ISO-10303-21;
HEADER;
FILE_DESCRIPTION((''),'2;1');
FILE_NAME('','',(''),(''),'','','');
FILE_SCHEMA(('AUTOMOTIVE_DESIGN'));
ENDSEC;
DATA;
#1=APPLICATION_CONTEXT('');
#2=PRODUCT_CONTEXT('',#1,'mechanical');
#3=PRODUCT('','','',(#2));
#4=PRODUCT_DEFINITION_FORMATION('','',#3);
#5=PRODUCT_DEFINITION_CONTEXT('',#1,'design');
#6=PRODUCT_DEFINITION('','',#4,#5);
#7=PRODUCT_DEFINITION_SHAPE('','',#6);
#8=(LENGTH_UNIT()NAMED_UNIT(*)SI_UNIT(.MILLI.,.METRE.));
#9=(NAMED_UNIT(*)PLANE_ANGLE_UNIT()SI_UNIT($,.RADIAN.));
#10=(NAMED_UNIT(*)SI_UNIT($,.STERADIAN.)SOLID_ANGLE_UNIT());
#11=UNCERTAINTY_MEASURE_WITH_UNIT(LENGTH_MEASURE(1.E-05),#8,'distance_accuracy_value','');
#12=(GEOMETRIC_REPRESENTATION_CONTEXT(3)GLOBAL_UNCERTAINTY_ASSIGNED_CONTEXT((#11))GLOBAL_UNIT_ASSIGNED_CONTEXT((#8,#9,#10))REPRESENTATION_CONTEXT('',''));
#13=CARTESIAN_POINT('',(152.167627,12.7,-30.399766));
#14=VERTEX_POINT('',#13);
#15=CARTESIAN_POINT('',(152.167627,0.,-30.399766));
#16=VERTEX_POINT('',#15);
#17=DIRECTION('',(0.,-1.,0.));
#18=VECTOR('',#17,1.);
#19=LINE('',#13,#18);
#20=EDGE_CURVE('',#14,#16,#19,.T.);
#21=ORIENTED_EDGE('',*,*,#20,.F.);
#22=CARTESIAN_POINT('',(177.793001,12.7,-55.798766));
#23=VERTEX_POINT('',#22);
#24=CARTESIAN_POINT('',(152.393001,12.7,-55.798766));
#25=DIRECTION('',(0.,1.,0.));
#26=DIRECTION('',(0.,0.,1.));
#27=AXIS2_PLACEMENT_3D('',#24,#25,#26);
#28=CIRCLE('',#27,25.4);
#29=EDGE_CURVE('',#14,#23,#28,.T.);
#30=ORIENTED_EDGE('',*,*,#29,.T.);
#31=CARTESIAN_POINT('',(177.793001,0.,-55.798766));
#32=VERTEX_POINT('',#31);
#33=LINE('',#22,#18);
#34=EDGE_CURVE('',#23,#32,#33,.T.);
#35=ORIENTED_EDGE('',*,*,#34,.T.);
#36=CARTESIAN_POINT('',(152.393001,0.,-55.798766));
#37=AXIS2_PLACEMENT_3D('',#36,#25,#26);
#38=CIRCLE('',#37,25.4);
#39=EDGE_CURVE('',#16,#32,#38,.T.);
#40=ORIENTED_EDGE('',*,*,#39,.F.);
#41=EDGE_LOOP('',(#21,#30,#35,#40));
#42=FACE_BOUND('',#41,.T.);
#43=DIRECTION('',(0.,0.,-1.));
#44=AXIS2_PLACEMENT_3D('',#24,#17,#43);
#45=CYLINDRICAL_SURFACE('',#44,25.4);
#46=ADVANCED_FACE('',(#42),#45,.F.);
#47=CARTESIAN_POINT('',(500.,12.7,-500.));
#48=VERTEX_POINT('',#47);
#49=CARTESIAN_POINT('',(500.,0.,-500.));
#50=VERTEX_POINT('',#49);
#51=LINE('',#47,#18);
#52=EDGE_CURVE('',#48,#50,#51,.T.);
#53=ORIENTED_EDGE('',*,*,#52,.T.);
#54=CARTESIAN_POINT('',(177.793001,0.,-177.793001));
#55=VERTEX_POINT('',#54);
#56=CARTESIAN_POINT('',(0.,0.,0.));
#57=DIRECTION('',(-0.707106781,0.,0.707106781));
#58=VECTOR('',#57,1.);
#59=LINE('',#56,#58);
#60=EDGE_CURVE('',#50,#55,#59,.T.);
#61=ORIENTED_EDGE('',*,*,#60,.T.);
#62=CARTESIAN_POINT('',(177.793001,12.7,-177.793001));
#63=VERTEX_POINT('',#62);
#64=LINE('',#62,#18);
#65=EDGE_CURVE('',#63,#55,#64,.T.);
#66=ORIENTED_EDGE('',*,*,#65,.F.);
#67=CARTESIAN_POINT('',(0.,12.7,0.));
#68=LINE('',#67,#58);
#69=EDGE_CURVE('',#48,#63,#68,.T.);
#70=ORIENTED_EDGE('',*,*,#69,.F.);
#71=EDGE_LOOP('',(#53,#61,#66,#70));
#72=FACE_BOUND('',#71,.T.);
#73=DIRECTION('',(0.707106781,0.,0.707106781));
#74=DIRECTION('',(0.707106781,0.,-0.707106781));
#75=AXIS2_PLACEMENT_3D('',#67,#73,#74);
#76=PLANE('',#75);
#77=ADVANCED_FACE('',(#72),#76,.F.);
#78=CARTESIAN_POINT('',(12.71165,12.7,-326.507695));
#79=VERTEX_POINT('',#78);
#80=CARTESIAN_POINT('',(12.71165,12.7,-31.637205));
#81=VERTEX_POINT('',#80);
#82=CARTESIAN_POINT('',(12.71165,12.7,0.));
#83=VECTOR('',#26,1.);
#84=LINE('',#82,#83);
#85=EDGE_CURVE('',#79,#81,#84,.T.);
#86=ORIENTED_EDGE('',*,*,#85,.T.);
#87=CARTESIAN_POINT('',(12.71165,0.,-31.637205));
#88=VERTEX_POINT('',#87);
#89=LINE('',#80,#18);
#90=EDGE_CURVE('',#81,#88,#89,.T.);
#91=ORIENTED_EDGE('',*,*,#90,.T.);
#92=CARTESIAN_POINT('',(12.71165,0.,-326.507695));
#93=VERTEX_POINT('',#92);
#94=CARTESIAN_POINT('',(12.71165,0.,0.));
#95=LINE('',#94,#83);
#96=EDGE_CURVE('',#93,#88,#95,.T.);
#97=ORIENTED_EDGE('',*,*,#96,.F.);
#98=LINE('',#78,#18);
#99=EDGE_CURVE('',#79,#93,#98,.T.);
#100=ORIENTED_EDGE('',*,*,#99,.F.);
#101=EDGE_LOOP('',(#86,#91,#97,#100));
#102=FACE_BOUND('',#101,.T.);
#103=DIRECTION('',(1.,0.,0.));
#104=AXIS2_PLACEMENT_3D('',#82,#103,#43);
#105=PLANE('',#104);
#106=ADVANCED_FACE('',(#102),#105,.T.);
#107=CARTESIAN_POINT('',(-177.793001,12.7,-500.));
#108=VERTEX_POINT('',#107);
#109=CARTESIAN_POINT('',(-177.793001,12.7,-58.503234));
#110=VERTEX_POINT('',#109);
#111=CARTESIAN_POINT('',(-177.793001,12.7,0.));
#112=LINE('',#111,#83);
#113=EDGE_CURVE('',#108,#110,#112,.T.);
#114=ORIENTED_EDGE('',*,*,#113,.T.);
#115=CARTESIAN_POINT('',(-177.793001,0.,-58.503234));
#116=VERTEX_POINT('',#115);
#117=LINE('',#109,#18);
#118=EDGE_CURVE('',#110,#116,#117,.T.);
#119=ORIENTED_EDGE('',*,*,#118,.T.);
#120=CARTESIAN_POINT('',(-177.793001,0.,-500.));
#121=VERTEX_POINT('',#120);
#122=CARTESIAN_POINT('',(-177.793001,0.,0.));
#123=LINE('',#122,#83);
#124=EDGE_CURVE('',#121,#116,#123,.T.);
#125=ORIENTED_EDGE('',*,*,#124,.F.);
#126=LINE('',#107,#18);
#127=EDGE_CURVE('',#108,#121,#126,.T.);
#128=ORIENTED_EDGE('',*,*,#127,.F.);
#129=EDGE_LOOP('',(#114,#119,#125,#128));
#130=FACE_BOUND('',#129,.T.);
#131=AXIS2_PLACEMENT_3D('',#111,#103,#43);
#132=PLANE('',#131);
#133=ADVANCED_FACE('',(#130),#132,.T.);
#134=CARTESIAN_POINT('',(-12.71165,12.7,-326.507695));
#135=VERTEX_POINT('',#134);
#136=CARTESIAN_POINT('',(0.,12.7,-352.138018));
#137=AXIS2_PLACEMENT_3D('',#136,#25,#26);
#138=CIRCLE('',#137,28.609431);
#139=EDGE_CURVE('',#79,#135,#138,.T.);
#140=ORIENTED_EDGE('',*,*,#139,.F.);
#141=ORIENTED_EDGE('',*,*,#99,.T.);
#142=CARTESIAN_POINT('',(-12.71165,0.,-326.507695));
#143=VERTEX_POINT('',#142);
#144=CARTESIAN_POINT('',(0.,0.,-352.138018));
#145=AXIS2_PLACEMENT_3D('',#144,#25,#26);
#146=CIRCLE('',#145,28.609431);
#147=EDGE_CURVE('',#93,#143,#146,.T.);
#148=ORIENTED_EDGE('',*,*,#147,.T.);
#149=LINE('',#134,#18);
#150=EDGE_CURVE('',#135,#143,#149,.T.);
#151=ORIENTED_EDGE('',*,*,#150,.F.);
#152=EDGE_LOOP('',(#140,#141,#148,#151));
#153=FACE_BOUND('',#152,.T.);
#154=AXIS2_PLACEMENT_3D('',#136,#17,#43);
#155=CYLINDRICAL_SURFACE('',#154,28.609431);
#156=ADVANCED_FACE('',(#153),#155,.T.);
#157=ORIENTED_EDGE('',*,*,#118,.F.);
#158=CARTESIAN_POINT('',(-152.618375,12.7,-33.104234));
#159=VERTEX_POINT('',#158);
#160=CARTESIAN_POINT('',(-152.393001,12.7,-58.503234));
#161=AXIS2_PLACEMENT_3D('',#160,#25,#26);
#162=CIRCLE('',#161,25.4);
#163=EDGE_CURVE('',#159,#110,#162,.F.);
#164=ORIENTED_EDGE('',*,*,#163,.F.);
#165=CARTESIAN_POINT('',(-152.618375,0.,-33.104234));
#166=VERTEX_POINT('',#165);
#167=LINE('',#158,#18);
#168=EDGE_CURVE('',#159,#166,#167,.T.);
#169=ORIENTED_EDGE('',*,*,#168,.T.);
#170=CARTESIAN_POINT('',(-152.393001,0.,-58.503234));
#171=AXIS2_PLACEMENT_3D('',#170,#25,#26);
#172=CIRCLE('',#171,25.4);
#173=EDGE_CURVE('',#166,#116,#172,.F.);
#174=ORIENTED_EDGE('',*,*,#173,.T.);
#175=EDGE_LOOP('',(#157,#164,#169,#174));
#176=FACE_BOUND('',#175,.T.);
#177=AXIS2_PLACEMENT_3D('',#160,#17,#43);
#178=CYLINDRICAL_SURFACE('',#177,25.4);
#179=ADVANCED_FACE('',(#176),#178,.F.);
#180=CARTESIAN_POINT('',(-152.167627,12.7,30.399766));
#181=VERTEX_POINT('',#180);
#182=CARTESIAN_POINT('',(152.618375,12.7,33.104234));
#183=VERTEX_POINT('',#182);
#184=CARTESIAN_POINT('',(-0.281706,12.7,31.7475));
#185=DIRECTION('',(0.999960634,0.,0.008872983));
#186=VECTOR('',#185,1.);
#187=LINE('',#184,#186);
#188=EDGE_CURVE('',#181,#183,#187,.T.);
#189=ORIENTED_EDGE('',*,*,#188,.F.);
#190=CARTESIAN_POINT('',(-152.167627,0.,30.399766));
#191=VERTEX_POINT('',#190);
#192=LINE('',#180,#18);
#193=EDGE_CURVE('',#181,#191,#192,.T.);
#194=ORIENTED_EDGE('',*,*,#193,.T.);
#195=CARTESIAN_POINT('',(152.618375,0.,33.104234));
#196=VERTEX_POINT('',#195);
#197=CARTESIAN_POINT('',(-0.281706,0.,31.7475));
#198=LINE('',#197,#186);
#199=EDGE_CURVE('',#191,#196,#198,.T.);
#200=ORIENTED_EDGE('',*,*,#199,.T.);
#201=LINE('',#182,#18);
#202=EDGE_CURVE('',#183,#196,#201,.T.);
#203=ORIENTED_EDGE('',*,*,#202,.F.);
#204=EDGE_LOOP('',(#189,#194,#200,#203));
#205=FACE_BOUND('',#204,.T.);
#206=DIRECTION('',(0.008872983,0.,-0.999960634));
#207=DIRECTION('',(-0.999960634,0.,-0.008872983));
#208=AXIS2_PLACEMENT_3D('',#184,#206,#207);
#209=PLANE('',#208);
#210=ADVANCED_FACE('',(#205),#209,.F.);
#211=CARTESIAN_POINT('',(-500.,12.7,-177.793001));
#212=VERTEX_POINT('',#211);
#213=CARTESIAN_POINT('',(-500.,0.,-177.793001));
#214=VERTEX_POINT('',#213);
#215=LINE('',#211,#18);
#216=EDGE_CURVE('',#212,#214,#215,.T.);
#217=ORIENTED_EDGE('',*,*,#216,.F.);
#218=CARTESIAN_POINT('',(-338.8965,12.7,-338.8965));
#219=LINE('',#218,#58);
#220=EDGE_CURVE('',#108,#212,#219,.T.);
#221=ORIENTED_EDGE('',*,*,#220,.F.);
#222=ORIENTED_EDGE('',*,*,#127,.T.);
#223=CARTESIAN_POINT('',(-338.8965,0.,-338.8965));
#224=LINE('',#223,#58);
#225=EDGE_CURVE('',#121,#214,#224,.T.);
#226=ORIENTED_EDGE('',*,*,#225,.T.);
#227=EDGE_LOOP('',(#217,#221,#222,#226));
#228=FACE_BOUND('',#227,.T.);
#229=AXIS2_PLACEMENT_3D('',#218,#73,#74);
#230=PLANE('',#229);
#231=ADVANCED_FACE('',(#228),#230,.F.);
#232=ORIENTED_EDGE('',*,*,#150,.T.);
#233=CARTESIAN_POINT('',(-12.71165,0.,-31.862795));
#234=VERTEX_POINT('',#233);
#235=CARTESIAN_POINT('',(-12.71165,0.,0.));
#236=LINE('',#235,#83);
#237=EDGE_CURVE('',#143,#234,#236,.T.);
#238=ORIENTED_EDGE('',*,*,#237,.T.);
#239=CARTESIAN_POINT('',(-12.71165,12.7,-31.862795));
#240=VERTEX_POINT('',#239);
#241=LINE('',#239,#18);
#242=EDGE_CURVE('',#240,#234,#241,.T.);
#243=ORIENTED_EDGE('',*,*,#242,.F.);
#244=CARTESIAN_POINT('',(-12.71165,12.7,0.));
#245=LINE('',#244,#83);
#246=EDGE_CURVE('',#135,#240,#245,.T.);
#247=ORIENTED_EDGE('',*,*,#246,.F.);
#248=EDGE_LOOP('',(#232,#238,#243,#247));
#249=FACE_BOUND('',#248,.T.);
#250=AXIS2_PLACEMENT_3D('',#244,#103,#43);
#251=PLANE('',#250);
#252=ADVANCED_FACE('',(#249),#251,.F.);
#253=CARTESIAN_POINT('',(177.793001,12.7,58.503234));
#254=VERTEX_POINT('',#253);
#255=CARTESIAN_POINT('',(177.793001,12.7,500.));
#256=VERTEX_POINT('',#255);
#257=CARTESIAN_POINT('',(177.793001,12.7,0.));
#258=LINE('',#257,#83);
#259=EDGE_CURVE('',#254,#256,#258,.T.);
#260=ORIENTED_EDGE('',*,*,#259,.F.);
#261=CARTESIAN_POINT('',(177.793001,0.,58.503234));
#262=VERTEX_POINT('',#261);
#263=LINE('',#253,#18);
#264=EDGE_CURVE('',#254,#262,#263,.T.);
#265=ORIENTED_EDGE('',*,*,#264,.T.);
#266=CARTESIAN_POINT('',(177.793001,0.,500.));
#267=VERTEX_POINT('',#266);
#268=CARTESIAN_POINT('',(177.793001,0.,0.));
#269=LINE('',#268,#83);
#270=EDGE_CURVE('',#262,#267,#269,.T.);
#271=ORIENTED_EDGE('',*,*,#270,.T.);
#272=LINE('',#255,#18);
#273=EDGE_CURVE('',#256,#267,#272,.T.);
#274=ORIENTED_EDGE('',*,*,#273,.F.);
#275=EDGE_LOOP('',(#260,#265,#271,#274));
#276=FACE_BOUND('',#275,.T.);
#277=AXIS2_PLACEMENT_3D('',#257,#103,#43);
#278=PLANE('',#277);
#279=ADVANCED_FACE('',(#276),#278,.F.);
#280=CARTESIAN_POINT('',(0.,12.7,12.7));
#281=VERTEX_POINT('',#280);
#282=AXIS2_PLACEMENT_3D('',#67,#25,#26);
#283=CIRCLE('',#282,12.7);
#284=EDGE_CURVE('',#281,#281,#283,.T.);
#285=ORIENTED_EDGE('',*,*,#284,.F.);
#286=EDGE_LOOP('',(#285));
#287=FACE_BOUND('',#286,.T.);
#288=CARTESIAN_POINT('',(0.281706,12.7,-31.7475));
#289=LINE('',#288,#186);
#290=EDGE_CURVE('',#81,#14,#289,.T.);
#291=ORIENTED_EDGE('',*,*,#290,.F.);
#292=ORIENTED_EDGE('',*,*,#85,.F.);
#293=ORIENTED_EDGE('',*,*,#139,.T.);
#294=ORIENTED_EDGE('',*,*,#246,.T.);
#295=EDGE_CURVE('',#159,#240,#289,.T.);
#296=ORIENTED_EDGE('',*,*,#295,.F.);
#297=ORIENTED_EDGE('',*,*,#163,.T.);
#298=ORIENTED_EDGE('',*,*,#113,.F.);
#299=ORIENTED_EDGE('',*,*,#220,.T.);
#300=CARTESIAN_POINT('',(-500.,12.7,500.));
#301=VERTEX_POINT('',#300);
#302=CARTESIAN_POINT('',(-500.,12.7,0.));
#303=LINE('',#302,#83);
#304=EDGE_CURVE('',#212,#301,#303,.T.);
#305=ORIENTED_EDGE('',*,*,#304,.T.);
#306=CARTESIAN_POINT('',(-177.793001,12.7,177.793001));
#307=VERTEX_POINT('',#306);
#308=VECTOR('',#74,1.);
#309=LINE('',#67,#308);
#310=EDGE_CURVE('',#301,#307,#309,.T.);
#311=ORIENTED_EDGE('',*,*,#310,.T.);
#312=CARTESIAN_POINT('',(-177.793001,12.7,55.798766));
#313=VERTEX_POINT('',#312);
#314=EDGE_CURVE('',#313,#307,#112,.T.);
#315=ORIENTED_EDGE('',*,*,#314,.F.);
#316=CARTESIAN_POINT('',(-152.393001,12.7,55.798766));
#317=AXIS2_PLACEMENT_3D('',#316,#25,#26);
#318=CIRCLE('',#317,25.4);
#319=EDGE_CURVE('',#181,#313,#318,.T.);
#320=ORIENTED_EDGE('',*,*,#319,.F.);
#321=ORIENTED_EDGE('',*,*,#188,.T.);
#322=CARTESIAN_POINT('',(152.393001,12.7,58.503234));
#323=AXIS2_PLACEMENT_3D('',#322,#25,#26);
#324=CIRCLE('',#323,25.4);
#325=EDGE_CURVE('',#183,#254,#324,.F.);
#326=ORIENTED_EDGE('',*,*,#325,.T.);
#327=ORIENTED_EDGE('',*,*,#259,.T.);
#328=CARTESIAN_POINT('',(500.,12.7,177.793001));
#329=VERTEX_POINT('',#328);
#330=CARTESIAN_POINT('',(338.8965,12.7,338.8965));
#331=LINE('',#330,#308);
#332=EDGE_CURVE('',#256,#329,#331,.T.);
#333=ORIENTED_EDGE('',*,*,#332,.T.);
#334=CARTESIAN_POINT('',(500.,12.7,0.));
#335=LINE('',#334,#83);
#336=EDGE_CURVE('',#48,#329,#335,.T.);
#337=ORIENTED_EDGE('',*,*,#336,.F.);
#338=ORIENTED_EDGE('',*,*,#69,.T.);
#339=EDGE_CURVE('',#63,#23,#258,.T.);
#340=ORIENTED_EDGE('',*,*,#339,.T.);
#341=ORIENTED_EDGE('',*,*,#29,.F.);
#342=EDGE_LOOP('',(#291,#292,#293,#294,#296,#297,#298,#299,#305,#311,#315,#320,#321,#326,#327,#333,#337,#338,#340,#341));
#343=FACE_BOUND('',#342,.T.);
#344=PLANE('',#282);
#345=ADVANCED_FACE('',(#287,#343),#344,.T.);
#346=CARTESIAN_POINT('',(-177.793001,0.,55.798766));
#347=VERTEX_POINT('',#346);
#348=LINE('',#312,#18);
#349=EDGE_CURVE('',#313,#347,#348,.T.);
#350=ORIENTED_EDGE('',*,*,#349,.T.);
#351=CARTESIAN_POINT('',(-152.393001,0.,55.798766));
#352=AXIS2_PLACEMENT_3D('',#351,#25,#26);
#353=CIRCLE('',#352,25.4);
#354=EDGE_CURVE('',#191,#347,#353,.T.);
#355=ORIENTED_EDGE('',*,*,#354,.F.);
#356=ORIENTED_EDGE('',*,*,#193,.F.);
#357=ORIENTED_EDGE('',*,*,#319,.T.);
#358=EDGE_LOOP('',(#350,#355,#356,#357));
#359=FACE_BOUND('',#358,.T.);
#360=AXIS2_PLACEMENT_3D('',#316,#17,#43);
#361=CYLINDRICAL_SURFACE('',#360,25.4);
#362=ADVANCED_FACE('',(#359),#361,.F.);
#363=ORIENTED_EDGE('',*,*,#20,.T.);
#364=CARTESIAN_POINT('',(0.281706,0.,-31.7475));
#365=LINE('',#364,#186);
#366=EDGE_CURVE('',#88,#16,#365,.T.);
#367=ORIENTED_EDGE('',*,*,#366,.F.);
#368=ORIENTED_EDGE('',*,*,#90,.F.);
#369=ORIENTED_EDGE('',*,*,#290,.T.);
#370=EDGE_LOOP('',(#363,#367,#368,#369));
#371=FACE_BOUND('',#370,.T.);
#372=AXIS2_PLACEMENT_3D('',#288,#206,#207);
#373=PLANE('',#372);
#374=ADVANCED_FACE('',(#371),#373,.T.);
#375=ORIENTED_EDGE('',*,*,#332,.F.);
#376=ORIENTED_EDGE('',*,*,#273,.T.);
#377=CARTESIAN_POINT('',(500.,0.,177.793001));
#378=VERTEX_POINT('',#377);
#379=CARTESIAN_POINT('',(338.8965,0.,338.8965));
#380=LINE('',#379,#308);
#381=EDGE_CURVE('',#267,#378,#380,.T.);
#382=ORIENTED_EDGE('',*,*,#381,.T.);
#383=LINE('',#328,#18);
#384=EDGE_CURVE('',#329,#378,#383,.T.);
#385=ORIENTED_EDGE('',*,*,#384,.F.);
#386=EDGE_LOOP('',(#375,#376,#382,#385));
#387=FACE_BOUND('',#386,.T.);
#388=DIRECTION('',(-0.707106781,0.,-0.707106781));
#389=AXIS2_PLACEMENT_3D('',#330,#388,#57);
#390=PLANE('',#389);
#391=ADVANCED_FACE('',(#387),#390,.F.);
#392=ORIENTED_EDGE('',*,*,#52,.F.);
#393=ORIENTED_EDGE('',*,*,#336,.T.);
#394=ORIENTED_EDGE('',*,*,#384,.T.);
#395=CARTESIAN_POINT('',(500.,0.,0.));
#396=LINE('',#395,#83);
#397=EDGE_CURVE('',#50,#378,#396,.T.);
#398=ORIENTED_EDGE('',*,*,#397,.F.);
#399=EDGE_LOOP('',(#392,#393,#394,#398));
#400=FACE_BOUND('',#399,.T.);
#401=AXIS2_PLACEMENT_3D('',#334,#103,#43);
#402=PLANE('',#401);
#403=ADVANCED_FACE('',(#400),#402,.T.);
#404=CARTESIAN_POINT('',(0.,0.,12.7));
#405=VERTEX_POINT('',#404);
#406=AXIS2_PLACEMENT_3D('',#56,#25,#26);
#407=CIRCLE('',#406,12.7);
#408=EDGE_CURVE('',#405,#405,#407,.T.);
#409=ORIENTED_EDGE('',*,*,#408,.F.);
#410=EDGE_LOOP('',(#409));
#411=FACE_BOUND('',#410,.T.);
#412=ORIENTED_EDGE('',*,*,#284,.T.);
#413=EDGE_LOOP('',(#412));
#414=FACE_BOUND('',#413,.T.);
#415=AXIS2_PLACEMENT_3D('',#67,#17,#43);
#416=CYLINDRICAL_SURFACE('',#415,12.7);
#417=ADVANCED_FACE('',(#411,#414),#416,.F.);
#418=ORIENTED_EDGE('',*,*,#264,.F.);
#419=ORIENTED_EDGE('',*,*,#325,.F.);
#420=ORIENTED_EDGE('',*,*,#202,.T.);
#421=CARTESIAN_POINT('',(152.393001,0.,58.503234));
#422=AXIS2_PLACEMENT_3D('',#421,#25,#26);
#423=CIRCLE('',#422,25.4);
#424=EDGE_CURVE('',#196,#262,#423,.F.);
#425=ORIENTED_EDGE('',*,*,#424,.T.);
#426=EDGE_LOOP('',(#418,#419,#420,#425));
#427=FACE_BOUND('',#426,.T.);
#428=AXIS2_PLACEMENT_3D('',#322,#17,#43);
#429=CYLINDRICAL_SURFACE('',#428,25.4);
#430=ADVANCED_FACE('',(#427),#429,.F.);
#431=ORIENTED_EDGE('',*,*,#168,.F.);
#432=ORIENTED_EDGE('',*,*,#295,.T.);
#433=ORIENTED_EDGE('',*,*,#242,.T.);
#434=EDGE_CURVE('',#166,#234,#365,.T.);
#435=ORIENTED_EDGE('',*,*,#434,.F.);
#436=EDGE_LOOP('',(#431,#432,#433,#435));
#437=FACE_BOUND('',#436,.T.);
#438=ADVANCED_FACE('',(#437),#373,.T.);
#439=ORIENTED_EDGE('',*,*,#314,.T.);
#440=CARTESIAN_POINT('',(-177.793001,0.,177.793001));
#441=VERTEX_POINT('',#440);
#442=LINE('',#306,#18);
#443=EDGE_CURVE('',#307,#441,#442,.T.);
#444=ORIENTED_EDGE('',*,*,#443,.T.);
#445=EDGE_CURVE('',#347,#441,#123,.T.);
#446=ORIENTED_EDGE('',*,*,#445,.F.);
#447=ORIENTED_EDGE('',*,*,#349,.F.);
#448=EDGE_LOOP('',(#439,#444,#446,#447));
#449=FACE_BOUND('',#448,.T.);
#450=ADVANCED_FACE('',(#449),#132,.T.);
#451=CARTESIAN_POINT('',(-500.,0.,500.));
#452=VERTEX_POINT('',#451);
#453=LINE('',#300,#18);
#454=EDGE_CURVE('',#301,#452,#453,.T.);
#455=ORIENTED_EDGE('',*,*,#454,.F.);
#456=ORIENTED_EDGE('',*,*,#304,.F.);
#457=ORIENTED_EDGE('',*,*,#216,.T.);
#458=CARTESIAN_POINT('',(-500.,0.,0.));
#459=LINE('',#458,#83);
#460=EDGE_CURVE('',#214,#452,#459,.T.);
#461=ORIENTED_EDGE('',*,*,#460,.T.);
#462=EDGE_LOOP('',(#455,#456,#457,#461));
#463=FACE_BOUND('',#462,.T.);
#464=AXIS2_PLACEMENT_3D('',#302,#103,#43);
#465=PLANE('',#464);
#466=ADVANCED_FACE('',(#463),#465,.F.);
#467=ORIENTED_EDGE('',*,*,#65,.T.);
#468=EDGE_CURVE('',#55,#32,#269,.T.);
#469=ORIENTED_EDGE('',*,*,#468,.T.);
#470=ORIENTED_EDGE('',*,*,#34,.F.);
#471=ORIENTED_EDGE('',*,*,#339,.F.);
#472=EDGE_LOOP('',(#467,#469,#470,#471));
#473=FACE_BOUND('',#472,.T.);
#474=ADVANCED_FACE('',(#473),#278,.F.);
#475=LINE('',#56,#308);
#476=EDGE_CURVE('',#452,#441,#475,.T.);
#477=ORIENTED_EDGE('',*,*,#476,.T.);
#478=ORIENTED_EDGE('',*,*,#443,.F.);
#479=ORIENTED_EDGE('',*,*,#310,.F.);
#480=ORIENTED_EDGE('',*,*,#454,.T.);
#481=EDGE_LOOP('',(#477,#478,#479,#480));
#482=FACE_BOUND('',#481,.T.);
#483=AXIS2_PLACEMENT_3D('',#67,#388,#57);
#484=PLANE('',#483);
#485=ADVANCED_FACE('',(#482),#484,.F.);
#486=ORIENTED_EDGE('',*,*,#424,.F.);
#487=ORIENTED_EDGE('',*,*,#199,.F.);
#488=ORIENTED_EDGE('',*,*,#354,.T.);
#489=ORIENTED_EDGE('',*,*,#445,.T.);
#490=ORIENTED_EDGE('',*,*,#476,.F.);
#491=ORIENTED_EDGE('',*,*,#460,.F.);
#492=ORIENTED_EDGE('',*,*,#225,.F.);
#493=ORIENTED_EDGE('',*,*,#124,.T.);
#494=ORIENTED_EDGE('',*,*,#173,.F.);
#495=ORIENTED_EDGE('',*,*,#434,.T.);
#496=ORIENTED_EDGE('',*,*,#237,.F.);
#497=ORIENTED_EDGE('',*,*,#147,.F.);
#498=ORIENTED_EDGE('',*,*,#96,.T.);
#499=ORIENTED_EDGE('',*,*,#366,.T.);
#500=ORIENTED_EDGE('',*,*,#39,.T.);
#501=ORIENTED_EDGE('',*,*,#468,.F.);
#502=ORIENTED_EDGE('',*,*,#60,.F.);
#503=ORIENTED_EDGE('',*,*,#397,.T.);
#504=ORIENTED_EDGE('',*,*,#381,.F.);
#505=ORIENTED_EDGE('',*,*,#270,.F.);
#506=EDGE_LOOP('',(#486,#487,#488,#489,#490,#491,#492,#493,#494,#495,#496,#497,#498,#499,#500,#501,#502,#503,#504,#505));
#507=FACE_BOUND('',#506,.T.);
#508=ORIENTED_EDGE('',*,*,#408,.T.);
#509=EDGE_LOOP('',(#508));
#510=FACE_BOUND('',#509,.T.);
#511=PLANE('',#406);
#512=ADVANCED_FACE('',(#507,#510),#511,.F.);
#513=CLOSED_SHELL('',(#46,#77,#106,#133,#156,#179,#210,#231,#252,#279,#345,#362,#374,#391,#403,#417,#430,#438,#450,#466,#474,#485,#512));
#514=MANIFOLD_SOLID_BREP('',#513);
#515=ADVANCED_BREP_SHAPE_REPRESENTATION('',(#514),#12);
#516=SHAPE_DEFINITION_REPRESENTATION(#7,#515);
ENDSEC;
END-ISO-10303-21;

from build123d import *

# Parameters (mm, degrees)
SKETCH1_R           = 12.7
BOSS_EXTRUDE1_DEPTH = 12.7


with BuildPart() as part:
    # Sketch1 → Boss-Extrude1 (new body)
    with BuildSketch(Plane(origin=(0, 0, 0), x_dir=(1, 0, 0), z_dir=(0, 1, 0))):
        with BuildLine():
            ThreePointArc((-177.79300078, -55.798766176), (-170.27365382, -37.758748247), (-152.16762701, -30.399766064))
            Line((-152.16762701, -30.399766064), (152.618374551, -33.104233568))
            ThreePointArc((152.618374551, -33.104233568), (170.43301871, -40.622580641), (177.79300078, -58.50323368))
            Line((177.79300078, -58.50323368), (177.79300078, -500))
            Line((177.79300078, -500), (500, -177.79300078))
            Line((500, -177.79300078), (500, 500))
            Line((500, 500), (177.79300078, 177.79300078))
            Line((177.79300078, 177.79300078), (177.79300078, 55.798766176))
            ThreePointArc((177.79300078, 55.798766176), (170.27365382, 37.758748247), (152.16762701, 30.399766064))
            Line((152.16762701, 30.399766064), (12.711649925, 31.637205305))
            Line((12.711649925, 31.637205305), (12.711649925, 326.507694892))
            ThreePointArc((12.711649925, 326.507694892), (0, 380.747448982), (-12.711649925, 326.507694892))
            Line((-12.711649925, 326.507694892), (-12.711649925, 31.862794695))
            Line((-12.711649925, 31.862794695), (-152.618374551, 33.104233568))
            ThreePointArc((-152.618374551, 33.104233568), (-170.43301871, 40.62258064), (-177.79300078, 58.50323368))
            Line((-177.79300078, 58.50323368), (-177.79300078, 500))
            Line((-177.79300078, 500), (-500, 177.79300078))
            Line((-500, 177.79300078), (-500, -500))
            Line((-500, -500), (-177.79300078, -177.79300078))
            Line((-177.79300078, -177.79300078), (-177.79300078, -55.798766176))
        make_face()
        Circle(SKETCH1_R, mode=Mode.SUBTRACT)
    extrude(amount=BOSS_EXTRUDE1_DEPTH)


solid = part.part
